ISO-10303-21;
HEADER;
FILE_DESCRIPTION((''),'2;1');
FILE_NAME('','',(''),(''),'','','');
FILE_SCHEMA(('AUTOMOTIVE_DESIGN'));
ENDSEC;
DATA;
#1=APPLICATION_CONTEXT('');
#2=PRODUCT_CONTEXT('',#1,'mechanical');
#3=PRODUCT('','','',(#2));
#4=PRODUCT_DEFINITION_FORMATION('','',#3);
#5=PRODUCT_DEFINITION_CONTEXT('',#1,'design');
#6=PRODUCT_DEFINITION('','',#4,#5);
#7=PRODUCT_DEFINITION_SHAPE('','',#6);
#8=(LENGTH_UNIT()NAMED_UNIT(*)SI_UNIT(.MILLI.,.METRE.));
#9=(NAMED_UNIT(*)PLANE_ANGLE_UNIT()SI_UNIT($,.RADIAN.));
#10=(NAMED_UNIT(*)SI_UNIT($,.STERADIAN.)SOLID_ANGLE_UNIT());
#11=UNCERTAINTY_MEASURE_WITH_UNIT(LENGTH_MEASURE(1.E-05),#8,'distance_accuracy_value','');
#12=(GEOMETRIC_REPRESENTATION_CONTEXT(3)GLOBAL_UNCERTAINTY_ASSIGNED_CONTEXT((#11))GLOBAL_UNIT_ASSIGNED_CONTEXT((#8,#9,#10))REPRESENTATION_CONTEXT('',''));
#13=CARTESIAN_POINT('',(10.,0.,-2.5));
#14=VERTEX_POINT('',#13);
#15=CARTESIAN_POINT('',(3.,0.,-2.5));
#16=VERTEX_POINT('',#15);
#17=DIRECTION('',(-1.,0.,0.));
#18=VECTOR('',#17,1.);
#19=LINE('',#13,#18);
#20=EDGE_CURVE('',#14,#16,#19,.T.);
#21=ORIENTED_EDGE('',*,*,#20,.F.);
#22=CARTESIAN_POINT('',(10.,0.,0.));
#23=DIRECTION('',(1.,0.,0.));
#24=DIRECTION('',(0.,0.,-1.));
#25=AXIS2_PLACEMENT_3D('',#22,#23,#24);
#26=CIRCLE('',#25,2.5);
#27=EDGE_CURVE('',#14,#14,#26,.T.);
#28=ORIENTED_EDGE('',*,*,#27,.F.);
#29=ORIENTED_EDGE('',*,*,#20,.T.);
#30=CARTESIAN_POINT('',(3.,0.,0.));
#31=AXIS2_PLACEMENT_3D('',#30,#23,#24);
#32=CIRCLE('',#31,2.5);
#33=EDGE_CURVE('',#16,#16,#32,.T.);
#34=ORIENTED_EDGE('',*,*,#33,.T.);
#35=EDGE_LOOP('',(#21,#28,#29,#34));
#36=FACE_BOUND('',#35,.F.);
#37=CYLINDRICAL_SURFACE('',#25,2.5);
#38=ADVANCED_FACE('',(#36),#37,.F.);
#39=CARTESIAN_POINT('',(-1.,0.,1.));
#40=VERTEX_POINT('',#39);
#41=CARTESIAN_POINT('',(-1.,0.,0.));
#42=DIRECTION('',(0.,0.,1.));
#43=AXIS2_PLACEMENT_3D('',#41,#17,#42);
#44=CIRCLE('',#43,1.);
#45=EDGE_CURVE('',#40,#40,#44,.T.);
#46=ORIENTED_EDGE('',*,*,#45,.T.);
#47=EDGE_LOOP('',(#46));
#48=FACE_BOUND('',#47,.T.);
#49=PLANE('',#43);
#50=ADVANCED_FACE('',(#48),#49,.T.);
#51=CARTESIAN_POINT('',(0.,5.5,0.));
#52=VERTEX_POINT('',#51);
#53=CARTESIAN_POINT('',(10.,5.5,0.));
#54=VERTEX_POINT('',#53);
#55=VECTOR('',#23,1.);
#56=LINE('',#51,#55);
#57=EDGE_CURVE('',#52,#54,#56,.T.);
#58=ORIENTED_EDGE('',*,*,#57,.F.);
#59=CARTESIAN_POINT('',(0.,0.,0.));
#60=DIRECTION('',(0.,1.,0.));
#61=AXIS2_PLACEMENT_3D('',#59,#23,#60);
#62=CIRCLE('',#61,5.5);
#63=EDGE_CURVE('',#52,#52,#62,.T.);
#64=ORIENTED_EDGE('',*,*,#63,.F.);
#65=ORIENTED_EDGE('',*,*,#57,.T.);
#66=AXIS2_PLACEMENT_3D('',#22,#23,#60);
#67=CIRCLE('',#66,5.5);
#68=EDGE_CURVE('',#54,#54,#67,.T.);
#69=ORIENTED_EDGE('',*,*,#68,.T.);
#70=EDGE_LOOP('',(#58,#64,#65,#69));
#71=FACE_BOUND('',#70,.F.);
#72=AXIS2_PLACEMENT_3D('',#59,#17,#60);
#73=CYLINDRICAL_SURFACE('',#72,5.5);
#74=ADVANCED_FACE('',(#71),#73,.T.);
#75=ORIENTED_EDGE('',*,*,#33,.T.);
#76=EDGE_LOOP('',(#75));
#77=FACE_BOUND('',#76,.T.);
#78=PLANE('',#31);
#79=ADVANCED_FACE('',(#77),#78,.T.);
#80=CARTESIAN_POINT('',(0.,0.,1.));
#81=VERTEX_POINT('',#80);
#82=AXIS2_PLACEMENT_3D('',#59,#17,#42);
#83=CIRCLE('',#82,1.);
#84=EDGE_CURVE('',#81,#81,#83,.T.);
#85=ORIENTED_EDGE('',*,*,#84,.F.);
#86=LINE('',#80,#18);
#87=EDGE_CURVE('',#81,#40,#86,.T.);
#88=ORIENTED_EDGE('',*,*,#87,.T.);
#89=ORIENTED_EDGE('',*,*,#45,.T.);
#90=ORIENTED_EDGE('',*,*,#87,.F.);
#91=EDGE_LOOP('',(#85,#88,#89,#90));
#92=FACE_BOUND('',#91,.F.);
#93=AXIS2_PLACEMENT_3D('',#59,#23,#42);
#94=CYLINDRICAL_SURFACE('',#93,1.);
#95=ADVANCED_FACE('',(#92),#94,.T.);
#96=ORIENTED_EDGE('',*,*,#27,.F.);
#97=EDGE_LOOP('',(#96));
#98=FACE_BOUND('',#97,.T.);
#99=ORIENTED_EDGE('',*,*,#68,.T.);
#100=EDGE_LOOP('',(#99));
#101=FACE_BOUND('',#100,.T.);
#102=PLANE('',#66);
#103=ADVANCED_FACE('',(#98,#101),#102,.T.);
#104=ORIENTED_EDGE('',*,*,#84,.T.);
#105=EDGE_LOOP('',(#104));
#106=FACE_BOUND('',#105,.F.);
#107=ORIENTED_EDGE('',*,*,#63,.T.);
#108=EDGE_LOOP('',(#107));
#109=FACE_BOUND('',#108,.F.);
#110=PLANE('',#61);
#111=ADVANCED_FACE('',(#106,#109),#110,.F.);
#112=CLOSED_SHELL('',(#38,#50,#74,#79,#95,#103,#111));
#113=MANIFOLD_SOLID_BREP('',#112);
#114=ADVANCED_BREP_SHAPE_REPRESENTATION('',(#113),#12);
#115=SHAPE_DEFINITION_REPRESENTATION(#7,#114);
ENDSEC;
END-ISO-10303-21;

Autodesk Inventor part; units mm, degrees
ref_plane "YZ Plane" through (0, 0, 0) normal (1, 0, 0) x (0, 1, 0)
ref_plane "XZ Plane" through (0, 0, 0) normal (0, 1, 0) x (-1, 0, 0)
ref_plane "XY Plane" through (0, 0, 0) normal (0, 0, 1) x (1, 0, 0)
sketch "Эскиз1" plane through (0, 0, 0) normal (1, 0, 0) x (0, 1, 0)
  circle A0 centre (0, 0) radius 5.5
  dimension "d0" = 11
extrude "Выдавливание1" add sketch "Эскиз1" along normal blind 10
sketch "Эскиз2" plane through (10, 0, 0) normal (1, 0, 0) x (0, 0, -1)
  circle A0 centre (0, 0) radius 2.5
  dimension "d3" = 5
extrude "Выдавливание2" cut sketch "Эскиз2" against normal blind 7
sketch "Эскиз3" plane through (0, 0, 0) normal (-1, 0, 0) x (0, 0, 1)
  circle A0 centre (0, 0) radius 1
  dimension "d6" = 2
extrude "Выдавливание3" add sketch "Эскиз3" along normal blind 1
